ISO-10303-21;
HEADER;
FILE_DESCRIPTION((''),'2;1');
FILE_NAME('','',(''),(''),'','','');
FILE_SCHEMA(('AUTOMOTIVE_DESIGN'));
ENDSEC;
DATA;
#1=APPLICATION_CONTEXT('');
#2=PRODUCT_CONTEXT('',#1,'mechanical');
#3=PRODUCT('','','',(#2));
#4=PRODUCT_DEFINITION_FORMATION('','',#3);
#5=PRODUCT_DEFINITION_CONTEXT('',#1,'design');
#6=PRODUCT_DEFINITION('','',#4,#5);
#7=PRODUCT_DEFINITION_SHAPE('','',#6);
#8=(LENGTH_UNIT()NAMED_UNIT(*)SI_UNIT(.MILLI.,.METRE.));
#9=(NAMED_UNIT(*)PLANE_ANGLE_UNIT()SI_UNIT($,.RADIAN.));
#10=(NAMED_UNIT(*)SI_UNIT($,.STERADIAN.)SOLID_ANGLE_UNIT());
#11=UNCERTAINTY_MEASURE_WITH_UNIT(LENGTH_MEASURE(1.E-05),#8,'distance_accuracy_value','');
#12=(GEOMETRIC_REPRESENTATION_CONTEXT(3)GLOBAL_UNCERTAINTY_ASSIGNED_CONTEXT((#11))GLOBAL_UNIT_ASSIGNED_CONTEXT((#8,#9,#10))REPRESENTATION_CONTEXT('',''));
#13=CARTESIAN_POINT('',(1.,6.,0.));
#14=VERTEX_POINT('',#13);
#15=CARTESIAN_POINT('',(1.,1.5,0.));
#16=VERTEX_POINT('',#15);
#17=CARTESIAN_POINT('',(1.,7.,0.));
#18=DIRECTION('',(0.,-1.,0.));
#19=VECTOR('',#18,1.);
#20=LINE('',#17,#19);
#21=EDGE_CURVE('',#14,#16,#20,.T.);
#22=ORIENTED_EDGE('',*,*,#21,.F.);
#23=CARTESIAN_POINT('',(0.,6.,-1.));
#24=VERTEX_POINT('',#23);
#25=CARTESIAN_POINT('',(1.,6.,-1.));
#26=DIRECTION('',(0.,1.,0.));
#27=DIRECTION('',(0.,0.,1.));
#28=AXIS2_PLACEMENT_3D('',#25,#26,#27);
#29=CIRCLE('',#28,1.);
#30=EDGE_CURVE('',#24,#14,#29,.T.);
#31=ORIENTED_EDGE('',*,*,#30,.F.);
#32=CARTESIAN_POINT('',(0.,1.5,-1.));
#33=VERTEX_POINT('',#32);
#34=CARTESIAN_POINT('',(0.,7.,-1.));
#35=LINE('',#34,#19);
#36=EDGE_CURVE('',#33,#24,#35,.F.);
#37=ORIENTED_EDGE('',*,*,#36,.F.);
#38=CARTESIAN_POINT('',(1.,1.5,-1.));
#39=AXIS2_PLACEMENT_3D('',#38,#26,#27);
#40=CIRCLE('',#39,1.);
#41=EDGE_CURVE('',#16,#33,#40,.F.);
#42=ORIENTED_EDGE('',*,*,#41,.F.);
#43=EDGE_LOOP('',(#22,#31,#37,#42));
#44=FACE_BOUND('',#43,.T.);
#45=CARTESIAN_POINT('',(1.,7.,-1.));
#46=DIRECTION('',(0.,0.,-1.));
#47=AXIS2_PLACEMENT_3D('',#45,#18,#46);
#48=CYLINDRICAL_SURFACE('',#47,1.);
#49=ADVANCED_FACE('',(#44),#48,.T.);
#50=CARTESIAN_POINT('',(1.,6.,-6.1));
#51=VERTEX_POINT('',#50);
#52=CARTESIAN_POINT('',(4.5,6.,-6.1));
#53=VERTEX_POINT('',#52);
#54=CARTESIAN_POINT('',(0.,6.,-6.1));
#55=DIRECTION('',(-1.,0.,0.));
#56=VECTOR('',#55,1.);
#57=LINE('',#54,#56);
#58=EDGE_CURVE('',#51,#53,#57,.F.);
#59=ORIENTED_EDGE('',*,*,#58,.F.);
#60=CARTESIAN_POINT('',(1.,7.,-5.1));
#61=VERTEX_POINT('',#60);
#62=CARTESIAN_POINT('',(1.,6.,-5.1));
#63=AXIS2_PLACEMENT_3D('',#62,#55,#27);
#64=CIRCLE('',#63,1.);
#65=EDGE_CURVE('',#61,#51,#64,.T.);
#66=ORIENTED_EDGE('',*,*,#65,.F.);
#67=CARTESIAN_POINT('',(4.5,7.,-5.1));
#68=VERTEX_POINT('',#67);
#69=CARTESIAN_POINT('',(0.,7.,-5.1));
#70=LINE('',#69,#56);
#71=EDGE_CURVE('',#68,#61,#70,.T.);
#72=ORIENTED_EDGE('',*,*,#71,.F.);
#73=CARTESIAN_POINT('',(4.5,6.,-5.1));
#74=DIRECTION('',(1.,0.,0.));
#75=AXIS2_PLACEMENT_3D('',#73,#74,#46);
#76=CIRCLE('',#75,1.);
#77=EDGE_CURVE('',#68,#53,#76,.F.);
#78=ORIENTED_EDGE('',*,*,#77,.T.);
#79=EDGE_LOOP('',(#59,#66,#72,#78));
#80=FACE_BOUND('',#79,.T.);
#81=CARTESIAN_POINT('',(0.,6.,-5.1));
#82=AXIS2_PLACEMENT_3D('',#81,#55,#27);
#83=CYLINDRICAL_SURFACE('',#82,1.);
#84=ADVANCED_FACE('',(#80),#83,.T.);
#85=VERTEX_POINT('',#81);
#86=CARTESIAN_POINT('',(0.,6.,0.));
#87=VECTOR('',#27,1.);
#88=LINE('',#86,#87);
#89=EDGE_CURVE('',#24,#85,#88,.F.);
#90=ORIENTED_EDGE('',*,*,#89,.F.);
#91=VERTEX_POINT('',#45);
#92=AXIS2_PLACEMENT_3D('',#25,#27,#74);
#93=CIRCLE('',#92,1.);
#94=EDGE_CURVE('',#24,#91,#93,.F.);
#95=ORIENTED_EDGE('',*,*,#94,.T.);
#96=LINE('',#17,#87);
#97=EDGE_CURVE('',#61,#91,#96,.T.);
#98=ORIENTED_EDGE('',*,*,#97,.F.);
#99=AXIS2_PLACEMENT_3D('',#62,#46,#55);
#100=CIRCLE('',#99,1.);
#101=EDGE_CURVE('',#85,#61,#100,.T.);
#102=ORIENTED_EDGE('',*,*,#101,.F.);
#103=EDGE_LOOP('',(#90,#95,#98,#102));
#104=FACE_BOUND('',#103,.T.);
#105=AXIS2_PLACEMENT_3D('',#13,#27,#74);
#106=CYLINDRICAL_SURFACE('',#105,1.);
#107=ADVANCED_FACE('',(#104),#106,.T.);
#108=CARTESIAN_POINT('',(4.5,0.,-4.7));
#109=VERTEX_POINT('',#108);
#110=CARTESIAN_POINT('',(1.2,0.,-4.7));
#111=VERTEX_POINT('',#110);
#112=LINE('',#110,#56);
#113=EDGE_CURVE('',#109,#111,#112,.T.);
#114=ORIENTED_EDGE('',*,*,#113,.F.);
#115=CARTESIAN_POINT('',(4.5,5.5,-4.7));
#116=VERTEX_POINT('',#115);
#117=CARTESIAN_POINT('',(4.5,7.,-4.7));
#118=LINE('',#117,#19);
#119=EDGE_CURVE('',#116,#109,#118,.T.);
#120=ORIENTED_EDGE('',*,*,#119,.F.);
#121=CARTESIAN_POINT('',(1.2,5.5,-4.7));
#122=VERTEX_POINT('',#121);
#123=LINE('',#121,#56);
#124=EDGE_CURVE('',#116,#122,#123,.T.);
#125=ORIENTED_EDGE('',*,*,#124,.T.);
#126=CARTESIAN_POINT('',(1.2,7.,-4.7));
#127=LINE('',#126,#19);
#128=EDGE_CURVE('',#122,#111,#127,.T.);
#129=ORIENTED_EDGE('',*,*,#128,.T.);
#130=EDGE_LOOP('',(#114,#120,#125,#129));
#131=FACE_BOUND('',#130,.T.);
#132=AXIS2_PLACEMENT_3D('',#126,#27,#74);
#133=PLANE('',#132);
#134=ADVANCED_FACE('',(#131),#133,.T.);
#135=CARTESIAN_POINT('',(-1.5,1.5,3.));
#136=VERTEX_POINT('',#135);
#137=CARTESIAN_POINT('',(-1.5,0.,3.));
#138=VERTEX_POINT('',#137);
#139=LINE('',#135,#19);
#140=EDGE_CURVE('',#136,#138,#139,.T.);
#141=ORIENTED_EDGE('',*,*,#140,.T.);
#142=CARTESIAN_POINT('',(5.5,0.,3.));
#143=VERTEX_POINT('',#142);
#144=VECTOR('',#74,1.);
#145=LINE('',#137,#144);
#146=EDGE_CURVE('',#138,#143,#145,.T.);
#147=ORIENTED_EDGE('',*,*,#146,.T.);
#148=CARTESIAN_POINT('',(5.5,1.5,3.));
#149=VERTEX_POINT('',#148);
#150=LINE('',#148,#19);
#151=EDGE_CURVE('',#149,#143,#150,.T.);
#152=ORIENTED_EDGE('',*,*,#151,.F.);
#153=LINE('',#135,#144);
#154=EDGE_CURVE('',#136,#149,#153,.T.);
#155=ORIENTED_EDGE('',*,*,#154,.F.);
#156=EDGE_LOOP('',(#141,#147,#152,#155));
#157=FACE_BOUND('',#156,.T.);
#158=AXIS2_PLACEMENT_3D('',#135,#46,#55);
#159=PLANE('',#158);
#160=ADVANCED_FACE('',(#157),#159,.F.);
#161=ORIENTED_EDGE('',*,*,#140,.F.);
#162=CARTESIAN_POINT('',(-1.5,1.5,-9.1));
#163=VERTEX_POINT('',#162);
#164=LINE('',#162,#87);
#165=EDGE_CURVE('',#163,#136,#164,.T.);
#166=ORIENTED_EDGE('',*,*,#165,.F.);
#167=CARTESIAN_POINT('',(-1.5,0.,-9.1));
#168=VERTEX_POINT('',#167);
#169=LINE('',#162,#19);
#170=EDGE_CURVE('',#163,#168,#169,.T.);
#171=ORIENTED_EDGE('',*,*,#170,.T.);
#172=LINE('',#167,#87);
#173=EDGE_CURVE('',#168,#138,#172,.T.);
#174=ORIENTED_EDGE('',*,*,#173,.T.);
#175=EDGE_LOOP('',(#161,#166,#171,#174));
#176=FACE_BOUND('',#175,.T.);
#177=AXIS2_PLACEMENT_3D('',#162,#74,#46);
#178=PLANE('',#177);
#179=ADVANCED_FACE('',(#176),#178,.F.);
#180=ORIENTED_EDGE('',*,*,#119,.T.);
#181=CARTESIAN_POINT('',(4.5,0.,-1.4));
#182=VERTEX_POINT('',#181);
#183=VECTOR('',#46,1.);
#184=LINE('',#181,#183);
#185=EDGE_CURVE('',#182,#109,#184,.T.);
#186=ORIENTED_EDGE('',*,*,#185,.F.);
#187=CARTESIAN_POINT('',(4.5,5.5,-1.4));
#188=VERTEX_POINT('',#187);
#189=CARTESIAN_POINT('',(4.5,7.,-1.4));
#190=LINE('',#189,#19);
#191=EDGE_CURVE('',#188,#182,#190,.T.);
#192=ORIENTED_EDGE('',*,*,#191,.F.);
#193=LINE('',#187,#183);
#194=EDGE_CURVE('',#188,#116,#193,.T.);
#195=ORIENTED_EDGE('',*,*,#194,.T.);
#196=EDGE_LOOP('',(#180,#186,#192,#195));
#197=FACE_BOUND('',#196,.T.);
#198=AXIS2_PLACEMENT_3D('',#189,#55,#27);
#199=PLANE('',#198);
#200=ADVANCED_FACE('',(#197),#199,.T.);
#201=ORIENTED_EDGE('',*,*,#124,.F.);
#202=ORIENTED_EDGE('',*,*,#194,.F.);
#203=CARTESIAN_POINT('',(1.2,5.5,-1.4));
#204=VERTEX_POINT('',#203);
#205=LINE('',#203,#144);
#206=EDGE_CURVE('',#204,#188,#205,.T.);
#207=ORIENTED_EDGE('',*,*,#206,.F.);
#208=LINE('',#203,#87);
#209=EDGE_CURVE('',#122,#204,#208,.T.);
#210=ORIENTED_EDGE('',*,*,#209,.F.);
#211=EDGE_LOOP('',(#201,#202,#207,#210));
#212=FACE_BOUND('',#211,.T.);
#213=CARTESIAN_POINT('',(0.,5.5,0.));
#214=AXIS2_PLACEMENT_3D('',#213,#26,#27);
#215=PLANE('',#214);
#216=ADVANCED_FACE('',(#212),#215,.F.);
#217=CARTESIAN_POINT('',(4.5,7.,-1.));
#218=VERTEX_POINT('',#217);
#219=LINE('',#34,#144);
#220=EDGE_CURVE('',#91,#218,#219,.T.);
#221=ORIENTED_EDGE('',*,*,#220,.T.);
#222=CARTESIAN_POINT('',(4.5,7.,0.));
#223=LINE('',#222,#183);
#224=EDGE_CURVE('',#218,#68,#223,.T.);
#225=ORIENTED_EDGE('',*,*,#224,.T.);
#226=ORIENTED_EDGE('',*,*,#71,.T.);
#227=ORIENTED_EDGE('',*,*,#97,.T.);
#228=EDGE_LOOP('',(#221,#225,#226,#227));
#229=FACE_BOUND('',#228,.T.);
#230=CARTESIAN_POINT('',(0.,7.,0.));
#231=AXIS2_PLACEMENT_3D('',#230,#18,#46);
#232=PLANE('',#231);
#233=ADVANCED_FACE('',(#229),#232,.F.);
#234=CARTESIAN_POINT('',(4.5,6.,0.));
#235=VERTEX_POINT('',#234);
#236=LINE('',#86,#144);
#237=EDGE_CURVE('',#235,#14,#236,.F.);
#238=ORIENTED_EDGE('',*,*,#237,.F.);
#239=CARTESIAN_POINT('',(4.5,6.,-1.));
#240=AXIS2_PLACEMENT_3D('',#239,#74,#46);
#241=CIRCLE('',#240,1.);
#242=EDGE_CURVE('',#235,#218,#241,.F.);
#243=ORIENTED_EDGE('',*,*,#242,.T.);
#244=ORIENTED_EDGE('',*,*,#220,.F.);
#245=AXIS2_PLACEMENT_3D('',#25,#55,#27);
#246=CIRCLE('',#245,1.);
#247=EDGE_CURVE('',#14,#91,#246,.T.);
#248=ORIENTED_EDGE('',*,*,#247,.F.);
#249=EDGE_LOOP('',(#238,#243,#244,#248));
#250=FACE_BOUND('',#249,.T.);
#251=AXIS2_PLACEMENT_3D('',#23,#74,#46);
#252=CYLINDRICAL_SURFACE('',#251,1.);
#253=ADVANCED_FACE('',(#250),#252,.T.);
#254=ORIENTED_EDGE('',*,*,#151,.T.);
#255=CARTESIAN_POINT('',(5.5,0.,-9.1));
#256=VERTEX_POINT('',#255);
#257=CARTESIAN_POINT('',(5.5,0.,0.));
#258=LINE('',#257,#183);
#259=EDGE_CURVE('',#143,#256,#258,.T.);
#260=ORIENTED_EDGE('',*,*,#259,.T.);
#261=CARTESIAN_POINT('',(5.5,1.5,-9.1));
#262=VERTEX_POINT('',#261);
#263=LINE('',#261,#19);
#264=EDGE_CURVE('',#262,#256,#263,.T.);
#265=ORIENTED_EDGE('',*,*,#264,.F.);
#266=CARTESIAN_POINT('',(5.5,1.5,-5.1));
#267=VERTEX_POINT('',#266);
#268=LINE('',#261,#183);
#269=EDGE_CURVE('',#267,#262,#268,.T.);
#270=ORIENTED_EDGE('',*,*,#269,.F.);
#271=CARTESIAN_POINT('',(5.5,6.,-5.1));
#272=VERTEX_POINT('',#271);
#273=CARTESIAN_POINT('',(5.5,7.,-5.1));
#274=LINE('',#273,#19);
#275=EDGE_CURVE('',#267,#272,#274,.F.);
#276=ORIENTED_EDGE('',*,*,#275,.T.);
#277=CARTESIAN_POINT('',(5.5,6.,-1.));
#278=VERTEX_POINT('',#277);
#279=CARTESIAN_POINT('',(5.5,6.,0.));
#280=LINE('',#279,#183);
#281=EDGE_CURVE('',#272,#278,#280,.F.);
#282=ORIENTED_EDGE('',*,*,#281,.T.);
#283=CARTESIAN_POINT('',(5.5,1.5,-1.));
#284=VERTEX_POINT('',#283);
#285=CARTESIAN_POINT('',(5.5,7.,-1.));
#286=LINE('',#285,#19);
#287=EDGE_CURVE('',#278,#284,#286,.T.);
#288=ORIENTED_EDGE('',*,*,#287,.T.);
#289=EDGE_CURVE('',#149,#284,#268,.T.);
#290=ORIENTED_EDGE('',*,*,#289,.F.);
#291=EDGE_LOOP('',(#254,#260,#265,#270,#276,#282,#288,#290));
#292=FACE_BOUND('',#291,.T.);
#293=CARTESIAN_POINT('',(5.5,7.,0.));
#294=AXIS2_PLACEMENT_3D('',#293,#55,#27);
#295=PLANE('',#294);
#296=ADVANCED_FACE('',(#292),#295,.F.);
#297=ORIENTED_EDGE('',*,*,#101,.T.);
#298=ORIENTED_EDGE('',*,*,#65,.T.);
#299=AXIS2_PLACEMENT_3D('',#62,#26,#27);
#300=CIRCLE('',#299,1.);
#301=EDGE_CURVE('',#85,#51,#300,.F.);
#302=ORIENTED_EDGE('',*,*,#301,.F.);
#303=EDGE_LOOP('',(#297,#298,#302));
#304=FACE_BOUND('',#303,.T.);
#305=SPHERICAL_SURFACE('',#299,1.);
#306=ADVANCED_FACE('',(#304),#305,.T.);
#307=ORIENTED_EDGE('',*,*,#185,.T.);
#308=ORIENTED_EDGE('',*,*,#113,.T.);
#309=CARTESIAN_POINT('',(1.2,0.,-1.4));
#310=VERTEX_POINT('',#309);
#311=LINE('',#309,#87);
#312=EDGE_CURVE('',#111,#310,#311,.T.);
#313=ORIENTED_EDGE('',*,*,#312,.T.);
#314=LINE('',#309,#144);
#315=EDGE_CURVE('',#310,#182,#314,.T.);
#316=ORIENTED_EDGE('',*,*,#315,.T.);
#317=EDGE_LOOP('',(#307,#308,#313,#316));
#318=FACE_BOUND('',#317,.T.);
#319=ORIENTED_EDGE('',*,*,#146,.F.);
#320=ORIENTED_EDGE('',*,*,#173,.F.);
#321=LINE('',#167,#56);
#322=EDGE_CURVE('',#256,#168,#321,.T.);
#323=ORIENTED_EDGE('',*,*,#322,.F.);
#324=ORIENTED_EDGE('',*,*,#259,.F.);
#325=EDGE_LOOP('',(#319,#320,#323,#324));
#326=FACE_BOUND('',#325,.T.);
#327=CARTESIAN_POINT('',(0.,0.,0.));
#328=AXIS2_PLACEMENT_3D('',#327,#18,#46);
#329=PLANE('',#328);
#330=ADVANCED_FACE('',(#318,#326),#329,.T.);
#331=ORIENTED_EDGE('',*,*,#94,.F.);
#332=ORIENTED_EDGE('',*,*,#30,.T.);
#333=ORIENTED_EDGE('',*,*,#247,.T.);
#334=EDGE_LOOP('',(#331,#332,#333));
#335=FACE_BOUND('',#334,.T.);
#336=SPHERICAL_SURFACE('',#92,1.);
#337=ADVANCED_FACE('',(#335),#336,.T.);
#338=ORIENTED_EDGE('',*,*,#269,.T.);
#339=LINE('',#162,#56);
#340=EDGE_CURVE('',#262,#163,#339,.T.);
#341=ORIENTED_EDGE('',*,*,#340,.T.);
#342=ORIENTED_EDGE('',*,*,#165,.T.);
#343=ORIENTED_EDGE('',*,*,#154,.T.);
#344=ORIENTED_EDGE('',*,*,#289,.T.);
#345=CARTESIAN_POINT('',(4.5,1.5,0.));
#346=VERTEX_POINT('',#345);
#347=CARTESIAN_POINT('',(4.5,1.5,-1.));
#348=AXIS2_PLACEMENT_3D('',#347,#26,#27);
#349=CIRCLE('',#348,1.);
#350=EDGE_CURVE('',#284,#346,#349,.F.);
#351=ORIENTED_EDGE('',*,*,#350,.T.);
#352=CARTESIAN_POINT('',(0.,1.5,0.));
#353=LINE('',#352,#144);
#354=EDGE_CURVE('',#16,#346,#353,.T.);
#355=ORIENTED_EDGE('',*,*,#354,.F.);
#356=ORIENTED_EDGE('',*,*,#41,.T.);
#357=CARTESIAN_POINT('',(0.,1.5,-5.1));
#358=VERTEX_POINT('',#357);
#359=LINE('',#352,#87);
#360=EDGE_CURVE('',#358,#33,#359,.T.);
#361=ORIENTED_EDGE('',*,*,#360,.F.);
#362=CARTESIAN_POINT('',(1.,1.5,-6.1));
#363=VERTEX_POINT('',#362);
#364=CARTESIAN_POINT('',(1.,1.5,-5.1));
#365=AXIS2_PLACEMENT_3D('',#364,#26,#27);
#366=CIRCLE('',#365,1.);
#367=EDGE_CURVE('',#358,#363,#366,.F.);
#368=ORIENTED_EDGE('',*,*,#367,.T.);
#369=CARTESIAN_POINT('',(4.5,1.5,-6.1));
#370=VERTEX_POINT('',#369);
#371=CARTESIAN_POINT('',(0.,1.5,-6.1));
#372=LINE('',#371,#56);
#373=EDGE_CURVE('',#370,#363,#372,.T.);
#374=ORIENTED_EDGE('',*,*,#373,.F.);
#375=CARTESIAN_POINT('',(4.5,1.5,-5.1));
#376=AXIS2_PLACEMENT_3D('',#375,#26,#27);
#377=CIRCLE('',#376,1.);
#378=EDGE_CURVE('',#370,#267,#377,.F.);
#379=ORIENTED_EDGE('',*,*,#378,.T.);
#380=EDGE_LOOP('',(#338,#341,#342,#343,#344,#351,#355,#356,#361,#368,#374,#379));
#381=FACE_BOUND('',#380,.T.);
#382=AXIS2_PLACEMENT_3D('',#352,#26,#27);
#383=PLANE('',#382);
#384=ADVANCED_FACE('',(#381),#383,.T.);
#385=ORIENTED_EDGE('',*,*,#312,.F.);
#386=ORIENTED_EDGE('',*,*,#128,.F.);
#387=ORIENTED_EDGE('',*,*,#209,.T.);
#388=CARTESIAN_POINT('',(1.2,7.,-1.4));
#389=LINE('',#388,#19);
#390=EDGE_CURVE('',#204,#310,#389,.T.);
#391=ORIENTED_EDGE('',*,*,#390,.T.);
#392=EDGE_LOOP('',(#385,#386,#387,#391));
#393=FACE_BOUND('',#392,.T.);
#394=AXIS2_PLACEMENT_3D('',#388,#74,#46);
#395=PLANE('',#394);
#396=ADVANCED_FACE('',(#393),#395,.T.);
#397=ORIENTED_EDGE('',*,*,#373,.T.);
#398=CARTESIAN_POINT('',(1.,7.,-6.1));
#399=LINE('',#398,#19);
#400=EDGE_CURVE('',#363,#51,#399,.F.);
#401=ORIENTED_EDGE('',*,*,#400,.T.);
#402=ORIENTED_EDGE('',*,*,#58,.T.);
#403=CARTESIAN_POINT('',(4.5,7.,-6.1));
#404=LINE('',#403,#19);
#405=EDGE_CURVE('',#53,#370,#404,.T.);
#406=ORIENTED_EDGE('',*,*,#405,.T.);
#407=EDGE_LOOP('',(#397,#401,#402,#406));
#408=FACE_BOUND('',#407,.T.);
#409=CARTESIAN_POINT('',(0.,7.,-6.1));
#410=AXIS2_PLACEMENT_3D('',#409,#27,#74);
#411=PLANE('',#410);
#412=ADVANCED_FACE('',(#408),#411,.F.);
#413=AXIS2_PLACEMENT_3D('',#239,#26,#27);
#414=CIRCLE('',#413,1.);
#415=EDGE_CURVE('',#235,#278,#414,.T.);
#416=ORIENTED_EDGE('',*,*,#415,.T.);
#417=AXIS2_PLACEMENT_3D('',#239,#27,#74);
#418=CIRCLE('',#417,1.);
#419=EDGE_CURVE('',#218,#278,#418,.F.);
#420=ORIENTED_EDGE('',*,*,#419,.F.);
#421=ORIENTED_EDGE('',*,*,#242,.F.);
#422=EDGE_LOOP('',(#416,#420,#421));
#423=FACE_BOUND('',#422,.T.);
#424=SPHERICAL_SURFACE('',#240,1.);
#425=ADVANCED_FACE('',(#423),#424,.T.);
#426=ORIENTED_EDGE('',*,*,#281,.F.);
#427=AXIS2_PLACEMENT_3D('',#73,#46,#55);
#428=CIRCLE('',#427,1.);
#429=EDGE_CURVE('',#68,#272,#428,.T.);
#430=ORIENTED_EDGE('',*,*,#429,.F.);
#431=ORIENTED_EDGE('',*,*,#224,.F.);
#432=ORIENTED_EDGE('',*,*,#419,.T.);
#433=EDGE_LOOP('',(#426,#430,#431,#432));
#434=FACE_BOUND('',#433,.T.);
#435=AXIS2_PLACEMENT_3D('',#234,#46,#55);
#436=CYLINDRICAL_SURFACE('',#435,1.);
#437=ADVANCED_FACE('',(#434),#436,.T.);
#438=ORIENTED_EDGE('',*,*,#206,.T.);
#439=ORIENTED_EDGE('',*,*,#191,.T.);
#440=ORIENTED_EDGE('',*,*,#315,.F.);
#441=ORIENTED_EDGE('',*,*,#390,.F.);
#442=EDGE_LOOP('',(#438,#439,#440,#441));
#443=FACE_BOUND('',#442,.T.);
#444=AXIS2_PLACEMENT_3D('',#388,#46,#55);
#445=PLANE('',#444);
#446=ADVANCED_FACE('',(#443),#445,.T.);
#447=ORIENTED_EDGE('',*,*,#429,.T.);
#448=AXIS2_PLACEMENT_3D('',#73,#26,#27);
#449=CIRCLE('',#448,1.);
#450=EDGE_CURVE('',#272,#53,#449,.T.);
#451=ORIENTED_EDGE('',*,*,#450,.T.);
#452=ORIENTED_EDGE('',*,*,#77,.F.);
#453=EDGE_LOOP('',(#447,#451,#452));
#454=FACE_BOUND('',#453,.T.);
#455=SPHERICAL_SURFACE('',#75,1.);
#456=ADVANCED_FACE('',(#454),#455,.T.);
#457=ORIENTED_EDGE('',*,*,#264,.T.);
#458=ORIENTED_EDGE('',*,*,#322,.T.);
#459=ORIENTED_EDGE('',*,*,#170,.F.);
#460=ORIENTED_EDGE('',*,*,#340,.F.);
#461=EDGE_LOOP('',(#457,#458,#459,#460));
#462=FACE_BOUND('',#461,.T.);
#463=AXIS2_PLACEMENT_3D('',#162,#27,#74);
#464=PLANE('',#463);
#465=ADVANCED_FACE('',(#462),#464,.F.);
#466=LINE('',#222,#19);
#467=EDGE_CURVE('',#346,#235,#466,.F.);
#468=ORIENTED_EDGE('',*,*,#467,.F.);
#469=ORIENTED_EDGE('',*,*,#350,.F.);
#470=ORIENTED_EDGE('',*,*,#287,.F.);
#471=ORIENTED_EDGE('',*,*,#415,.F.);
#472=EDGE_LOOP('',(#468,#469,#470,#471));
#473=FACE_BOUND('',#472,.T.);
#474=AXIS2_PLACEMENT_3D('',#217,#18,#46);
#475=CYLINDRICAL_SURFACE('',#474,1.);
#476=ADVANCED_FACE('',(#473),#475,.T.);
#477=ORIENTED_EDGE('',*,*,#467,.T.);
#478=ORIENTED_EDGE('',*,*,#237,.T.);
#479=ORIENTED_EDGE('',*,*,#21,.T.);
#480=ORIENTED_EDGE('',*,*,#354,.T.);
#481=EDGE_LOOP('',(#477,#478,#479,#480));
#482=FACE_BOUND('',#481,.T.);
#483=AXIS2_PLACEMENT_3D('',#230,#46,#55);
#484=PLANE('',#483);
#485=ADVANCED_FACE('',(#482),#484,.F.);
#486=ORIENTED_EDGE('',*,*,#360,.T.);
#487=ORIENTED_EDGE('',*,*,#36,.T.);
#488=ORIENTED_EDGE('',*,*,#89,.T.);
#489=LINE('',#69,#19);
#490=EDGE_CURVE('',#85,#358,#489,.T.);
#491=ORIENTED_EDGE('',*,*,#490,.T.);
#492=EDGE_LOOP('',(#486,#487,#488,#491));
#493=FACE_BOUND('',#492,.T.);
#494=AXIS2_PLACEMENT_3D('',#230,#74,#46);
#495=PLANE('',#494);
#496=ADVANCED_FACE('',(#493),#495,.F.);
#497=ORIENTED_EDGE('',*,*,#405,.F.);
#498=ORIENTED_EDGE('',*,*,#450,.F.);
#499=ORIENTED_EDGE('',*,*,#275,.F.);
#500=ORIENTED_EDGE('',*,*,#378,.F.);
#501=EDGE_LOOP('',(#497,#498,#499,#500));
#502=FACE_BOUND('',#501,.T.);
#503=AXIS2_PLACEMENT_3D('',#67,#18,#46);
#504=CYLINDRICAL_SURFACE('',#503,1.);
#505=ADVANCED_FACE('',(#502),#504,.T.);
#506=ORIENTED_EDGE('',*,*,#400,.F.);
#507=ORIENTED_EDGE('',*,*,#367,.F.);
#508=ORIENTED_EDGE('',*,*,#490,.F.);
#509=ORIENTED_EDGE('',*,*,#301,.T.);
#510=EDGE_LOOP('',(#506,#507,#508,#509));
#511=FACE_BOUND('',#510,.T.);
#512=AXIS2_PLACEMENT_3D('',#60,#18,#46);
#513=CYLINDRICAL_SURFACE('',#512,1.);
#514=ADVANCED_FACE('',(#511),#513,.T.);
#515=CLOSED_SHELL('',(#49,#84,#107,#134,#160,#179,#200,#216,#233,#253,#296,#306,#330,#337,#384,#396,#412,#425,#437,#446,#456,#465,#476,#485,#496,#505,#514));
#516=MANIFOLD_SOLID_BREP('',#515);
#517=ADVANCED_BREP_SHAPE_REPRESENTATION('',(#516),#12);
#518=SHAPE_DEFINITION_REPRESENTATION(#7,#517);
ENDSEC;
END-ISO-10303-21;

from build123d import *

# Parameters (mm, degrees)
SKETCH1_W           = 5.5
SKETCH1_H           = 6.1
SKETCH1_W_2         = 3.3
SKETCH1_H_2         = 3.3
BOSS_EXTRUDE1_DEPTH = 7
SKETCH2_W           = 5.5
SKETCH2_H           = 6.1
BOSS_EXTRUDE2_DEPTH = 1.5
SKETCH3_W           = 7
SKETCH3_H           = 12.1
SKETCH3_W_2         = 3.3
SKETCH3_H_2         = 3.3
BOSS_EXTRUDE3_DEPTH = 1.5
FILLET1_R           = 1


with BuildPart() as part:
    # Sketch1 → Boss-Extrude1 (new body)
    with BuildSketch(Plane(origin=(0, 0, 0), x_dir=(1, 0, 0), z_dir=(0, 1, 0))):
        with Locations((2.75, 3.05)):
            Rectangle(SKETCH1_W, SKETCH1_H)
        with Locations((2.85, 3.05)):
            Rectangle(SKETCH1_W_2, SKETCH1_H_2, mode=Mode.SUBTRACT)
    extrude(amount=BOSS_EXTRUDE1_DEPTH)

    # Sketch2 → Boss-Extrude2 (add)
    with BuildSketch(Plane(origin=(0, 7, 0), x_dir=(1, 0, 0), z_dir=(0, 1, 0))):
        with Locations((2.75, 3.05)):
            Rectangle(SKETCH2_W, SKETCH2_H)
    extrude(amount=-BOSS_EXTRUDE2_DEPTH)

    # Sketch3 → Boss-Extrude3 (add)
    with BuildSketch(Plane(origin=(0, 0, 0), x_dir=(1, 0, 0), z_dir=(0, 1, 0))):
        with Locations((2, 3.05)):
            Rectangle(SKETCH3_W, SKETCH3_H)
        with Locations((2.85, 3.05)):
            Rectangle(SKETCH3_W_2, SKETCH3_H_2, mode=Mode.SUBTRACT)
    extrude(amount=BOSS_EXTRUDE3_DEPTH)

    # Fillet1
    fillet1_edges = [part.edges().sort_by_distance(p)[0] for p in [
        (5.5, 7, -3.05),
        (2.75, 7, -6.1),
        (0, 7, -3.05),
        (0, 4.25, -6.1),
        (5.5, 4.25, -6.1),
        (5.5, 4.25, 0),
        (0, 4.25, 0),
        (2.75, 7, 0),
    ]]
    fillet(fillet1_edges, radius=FILLET1_R)


solid = part.part
